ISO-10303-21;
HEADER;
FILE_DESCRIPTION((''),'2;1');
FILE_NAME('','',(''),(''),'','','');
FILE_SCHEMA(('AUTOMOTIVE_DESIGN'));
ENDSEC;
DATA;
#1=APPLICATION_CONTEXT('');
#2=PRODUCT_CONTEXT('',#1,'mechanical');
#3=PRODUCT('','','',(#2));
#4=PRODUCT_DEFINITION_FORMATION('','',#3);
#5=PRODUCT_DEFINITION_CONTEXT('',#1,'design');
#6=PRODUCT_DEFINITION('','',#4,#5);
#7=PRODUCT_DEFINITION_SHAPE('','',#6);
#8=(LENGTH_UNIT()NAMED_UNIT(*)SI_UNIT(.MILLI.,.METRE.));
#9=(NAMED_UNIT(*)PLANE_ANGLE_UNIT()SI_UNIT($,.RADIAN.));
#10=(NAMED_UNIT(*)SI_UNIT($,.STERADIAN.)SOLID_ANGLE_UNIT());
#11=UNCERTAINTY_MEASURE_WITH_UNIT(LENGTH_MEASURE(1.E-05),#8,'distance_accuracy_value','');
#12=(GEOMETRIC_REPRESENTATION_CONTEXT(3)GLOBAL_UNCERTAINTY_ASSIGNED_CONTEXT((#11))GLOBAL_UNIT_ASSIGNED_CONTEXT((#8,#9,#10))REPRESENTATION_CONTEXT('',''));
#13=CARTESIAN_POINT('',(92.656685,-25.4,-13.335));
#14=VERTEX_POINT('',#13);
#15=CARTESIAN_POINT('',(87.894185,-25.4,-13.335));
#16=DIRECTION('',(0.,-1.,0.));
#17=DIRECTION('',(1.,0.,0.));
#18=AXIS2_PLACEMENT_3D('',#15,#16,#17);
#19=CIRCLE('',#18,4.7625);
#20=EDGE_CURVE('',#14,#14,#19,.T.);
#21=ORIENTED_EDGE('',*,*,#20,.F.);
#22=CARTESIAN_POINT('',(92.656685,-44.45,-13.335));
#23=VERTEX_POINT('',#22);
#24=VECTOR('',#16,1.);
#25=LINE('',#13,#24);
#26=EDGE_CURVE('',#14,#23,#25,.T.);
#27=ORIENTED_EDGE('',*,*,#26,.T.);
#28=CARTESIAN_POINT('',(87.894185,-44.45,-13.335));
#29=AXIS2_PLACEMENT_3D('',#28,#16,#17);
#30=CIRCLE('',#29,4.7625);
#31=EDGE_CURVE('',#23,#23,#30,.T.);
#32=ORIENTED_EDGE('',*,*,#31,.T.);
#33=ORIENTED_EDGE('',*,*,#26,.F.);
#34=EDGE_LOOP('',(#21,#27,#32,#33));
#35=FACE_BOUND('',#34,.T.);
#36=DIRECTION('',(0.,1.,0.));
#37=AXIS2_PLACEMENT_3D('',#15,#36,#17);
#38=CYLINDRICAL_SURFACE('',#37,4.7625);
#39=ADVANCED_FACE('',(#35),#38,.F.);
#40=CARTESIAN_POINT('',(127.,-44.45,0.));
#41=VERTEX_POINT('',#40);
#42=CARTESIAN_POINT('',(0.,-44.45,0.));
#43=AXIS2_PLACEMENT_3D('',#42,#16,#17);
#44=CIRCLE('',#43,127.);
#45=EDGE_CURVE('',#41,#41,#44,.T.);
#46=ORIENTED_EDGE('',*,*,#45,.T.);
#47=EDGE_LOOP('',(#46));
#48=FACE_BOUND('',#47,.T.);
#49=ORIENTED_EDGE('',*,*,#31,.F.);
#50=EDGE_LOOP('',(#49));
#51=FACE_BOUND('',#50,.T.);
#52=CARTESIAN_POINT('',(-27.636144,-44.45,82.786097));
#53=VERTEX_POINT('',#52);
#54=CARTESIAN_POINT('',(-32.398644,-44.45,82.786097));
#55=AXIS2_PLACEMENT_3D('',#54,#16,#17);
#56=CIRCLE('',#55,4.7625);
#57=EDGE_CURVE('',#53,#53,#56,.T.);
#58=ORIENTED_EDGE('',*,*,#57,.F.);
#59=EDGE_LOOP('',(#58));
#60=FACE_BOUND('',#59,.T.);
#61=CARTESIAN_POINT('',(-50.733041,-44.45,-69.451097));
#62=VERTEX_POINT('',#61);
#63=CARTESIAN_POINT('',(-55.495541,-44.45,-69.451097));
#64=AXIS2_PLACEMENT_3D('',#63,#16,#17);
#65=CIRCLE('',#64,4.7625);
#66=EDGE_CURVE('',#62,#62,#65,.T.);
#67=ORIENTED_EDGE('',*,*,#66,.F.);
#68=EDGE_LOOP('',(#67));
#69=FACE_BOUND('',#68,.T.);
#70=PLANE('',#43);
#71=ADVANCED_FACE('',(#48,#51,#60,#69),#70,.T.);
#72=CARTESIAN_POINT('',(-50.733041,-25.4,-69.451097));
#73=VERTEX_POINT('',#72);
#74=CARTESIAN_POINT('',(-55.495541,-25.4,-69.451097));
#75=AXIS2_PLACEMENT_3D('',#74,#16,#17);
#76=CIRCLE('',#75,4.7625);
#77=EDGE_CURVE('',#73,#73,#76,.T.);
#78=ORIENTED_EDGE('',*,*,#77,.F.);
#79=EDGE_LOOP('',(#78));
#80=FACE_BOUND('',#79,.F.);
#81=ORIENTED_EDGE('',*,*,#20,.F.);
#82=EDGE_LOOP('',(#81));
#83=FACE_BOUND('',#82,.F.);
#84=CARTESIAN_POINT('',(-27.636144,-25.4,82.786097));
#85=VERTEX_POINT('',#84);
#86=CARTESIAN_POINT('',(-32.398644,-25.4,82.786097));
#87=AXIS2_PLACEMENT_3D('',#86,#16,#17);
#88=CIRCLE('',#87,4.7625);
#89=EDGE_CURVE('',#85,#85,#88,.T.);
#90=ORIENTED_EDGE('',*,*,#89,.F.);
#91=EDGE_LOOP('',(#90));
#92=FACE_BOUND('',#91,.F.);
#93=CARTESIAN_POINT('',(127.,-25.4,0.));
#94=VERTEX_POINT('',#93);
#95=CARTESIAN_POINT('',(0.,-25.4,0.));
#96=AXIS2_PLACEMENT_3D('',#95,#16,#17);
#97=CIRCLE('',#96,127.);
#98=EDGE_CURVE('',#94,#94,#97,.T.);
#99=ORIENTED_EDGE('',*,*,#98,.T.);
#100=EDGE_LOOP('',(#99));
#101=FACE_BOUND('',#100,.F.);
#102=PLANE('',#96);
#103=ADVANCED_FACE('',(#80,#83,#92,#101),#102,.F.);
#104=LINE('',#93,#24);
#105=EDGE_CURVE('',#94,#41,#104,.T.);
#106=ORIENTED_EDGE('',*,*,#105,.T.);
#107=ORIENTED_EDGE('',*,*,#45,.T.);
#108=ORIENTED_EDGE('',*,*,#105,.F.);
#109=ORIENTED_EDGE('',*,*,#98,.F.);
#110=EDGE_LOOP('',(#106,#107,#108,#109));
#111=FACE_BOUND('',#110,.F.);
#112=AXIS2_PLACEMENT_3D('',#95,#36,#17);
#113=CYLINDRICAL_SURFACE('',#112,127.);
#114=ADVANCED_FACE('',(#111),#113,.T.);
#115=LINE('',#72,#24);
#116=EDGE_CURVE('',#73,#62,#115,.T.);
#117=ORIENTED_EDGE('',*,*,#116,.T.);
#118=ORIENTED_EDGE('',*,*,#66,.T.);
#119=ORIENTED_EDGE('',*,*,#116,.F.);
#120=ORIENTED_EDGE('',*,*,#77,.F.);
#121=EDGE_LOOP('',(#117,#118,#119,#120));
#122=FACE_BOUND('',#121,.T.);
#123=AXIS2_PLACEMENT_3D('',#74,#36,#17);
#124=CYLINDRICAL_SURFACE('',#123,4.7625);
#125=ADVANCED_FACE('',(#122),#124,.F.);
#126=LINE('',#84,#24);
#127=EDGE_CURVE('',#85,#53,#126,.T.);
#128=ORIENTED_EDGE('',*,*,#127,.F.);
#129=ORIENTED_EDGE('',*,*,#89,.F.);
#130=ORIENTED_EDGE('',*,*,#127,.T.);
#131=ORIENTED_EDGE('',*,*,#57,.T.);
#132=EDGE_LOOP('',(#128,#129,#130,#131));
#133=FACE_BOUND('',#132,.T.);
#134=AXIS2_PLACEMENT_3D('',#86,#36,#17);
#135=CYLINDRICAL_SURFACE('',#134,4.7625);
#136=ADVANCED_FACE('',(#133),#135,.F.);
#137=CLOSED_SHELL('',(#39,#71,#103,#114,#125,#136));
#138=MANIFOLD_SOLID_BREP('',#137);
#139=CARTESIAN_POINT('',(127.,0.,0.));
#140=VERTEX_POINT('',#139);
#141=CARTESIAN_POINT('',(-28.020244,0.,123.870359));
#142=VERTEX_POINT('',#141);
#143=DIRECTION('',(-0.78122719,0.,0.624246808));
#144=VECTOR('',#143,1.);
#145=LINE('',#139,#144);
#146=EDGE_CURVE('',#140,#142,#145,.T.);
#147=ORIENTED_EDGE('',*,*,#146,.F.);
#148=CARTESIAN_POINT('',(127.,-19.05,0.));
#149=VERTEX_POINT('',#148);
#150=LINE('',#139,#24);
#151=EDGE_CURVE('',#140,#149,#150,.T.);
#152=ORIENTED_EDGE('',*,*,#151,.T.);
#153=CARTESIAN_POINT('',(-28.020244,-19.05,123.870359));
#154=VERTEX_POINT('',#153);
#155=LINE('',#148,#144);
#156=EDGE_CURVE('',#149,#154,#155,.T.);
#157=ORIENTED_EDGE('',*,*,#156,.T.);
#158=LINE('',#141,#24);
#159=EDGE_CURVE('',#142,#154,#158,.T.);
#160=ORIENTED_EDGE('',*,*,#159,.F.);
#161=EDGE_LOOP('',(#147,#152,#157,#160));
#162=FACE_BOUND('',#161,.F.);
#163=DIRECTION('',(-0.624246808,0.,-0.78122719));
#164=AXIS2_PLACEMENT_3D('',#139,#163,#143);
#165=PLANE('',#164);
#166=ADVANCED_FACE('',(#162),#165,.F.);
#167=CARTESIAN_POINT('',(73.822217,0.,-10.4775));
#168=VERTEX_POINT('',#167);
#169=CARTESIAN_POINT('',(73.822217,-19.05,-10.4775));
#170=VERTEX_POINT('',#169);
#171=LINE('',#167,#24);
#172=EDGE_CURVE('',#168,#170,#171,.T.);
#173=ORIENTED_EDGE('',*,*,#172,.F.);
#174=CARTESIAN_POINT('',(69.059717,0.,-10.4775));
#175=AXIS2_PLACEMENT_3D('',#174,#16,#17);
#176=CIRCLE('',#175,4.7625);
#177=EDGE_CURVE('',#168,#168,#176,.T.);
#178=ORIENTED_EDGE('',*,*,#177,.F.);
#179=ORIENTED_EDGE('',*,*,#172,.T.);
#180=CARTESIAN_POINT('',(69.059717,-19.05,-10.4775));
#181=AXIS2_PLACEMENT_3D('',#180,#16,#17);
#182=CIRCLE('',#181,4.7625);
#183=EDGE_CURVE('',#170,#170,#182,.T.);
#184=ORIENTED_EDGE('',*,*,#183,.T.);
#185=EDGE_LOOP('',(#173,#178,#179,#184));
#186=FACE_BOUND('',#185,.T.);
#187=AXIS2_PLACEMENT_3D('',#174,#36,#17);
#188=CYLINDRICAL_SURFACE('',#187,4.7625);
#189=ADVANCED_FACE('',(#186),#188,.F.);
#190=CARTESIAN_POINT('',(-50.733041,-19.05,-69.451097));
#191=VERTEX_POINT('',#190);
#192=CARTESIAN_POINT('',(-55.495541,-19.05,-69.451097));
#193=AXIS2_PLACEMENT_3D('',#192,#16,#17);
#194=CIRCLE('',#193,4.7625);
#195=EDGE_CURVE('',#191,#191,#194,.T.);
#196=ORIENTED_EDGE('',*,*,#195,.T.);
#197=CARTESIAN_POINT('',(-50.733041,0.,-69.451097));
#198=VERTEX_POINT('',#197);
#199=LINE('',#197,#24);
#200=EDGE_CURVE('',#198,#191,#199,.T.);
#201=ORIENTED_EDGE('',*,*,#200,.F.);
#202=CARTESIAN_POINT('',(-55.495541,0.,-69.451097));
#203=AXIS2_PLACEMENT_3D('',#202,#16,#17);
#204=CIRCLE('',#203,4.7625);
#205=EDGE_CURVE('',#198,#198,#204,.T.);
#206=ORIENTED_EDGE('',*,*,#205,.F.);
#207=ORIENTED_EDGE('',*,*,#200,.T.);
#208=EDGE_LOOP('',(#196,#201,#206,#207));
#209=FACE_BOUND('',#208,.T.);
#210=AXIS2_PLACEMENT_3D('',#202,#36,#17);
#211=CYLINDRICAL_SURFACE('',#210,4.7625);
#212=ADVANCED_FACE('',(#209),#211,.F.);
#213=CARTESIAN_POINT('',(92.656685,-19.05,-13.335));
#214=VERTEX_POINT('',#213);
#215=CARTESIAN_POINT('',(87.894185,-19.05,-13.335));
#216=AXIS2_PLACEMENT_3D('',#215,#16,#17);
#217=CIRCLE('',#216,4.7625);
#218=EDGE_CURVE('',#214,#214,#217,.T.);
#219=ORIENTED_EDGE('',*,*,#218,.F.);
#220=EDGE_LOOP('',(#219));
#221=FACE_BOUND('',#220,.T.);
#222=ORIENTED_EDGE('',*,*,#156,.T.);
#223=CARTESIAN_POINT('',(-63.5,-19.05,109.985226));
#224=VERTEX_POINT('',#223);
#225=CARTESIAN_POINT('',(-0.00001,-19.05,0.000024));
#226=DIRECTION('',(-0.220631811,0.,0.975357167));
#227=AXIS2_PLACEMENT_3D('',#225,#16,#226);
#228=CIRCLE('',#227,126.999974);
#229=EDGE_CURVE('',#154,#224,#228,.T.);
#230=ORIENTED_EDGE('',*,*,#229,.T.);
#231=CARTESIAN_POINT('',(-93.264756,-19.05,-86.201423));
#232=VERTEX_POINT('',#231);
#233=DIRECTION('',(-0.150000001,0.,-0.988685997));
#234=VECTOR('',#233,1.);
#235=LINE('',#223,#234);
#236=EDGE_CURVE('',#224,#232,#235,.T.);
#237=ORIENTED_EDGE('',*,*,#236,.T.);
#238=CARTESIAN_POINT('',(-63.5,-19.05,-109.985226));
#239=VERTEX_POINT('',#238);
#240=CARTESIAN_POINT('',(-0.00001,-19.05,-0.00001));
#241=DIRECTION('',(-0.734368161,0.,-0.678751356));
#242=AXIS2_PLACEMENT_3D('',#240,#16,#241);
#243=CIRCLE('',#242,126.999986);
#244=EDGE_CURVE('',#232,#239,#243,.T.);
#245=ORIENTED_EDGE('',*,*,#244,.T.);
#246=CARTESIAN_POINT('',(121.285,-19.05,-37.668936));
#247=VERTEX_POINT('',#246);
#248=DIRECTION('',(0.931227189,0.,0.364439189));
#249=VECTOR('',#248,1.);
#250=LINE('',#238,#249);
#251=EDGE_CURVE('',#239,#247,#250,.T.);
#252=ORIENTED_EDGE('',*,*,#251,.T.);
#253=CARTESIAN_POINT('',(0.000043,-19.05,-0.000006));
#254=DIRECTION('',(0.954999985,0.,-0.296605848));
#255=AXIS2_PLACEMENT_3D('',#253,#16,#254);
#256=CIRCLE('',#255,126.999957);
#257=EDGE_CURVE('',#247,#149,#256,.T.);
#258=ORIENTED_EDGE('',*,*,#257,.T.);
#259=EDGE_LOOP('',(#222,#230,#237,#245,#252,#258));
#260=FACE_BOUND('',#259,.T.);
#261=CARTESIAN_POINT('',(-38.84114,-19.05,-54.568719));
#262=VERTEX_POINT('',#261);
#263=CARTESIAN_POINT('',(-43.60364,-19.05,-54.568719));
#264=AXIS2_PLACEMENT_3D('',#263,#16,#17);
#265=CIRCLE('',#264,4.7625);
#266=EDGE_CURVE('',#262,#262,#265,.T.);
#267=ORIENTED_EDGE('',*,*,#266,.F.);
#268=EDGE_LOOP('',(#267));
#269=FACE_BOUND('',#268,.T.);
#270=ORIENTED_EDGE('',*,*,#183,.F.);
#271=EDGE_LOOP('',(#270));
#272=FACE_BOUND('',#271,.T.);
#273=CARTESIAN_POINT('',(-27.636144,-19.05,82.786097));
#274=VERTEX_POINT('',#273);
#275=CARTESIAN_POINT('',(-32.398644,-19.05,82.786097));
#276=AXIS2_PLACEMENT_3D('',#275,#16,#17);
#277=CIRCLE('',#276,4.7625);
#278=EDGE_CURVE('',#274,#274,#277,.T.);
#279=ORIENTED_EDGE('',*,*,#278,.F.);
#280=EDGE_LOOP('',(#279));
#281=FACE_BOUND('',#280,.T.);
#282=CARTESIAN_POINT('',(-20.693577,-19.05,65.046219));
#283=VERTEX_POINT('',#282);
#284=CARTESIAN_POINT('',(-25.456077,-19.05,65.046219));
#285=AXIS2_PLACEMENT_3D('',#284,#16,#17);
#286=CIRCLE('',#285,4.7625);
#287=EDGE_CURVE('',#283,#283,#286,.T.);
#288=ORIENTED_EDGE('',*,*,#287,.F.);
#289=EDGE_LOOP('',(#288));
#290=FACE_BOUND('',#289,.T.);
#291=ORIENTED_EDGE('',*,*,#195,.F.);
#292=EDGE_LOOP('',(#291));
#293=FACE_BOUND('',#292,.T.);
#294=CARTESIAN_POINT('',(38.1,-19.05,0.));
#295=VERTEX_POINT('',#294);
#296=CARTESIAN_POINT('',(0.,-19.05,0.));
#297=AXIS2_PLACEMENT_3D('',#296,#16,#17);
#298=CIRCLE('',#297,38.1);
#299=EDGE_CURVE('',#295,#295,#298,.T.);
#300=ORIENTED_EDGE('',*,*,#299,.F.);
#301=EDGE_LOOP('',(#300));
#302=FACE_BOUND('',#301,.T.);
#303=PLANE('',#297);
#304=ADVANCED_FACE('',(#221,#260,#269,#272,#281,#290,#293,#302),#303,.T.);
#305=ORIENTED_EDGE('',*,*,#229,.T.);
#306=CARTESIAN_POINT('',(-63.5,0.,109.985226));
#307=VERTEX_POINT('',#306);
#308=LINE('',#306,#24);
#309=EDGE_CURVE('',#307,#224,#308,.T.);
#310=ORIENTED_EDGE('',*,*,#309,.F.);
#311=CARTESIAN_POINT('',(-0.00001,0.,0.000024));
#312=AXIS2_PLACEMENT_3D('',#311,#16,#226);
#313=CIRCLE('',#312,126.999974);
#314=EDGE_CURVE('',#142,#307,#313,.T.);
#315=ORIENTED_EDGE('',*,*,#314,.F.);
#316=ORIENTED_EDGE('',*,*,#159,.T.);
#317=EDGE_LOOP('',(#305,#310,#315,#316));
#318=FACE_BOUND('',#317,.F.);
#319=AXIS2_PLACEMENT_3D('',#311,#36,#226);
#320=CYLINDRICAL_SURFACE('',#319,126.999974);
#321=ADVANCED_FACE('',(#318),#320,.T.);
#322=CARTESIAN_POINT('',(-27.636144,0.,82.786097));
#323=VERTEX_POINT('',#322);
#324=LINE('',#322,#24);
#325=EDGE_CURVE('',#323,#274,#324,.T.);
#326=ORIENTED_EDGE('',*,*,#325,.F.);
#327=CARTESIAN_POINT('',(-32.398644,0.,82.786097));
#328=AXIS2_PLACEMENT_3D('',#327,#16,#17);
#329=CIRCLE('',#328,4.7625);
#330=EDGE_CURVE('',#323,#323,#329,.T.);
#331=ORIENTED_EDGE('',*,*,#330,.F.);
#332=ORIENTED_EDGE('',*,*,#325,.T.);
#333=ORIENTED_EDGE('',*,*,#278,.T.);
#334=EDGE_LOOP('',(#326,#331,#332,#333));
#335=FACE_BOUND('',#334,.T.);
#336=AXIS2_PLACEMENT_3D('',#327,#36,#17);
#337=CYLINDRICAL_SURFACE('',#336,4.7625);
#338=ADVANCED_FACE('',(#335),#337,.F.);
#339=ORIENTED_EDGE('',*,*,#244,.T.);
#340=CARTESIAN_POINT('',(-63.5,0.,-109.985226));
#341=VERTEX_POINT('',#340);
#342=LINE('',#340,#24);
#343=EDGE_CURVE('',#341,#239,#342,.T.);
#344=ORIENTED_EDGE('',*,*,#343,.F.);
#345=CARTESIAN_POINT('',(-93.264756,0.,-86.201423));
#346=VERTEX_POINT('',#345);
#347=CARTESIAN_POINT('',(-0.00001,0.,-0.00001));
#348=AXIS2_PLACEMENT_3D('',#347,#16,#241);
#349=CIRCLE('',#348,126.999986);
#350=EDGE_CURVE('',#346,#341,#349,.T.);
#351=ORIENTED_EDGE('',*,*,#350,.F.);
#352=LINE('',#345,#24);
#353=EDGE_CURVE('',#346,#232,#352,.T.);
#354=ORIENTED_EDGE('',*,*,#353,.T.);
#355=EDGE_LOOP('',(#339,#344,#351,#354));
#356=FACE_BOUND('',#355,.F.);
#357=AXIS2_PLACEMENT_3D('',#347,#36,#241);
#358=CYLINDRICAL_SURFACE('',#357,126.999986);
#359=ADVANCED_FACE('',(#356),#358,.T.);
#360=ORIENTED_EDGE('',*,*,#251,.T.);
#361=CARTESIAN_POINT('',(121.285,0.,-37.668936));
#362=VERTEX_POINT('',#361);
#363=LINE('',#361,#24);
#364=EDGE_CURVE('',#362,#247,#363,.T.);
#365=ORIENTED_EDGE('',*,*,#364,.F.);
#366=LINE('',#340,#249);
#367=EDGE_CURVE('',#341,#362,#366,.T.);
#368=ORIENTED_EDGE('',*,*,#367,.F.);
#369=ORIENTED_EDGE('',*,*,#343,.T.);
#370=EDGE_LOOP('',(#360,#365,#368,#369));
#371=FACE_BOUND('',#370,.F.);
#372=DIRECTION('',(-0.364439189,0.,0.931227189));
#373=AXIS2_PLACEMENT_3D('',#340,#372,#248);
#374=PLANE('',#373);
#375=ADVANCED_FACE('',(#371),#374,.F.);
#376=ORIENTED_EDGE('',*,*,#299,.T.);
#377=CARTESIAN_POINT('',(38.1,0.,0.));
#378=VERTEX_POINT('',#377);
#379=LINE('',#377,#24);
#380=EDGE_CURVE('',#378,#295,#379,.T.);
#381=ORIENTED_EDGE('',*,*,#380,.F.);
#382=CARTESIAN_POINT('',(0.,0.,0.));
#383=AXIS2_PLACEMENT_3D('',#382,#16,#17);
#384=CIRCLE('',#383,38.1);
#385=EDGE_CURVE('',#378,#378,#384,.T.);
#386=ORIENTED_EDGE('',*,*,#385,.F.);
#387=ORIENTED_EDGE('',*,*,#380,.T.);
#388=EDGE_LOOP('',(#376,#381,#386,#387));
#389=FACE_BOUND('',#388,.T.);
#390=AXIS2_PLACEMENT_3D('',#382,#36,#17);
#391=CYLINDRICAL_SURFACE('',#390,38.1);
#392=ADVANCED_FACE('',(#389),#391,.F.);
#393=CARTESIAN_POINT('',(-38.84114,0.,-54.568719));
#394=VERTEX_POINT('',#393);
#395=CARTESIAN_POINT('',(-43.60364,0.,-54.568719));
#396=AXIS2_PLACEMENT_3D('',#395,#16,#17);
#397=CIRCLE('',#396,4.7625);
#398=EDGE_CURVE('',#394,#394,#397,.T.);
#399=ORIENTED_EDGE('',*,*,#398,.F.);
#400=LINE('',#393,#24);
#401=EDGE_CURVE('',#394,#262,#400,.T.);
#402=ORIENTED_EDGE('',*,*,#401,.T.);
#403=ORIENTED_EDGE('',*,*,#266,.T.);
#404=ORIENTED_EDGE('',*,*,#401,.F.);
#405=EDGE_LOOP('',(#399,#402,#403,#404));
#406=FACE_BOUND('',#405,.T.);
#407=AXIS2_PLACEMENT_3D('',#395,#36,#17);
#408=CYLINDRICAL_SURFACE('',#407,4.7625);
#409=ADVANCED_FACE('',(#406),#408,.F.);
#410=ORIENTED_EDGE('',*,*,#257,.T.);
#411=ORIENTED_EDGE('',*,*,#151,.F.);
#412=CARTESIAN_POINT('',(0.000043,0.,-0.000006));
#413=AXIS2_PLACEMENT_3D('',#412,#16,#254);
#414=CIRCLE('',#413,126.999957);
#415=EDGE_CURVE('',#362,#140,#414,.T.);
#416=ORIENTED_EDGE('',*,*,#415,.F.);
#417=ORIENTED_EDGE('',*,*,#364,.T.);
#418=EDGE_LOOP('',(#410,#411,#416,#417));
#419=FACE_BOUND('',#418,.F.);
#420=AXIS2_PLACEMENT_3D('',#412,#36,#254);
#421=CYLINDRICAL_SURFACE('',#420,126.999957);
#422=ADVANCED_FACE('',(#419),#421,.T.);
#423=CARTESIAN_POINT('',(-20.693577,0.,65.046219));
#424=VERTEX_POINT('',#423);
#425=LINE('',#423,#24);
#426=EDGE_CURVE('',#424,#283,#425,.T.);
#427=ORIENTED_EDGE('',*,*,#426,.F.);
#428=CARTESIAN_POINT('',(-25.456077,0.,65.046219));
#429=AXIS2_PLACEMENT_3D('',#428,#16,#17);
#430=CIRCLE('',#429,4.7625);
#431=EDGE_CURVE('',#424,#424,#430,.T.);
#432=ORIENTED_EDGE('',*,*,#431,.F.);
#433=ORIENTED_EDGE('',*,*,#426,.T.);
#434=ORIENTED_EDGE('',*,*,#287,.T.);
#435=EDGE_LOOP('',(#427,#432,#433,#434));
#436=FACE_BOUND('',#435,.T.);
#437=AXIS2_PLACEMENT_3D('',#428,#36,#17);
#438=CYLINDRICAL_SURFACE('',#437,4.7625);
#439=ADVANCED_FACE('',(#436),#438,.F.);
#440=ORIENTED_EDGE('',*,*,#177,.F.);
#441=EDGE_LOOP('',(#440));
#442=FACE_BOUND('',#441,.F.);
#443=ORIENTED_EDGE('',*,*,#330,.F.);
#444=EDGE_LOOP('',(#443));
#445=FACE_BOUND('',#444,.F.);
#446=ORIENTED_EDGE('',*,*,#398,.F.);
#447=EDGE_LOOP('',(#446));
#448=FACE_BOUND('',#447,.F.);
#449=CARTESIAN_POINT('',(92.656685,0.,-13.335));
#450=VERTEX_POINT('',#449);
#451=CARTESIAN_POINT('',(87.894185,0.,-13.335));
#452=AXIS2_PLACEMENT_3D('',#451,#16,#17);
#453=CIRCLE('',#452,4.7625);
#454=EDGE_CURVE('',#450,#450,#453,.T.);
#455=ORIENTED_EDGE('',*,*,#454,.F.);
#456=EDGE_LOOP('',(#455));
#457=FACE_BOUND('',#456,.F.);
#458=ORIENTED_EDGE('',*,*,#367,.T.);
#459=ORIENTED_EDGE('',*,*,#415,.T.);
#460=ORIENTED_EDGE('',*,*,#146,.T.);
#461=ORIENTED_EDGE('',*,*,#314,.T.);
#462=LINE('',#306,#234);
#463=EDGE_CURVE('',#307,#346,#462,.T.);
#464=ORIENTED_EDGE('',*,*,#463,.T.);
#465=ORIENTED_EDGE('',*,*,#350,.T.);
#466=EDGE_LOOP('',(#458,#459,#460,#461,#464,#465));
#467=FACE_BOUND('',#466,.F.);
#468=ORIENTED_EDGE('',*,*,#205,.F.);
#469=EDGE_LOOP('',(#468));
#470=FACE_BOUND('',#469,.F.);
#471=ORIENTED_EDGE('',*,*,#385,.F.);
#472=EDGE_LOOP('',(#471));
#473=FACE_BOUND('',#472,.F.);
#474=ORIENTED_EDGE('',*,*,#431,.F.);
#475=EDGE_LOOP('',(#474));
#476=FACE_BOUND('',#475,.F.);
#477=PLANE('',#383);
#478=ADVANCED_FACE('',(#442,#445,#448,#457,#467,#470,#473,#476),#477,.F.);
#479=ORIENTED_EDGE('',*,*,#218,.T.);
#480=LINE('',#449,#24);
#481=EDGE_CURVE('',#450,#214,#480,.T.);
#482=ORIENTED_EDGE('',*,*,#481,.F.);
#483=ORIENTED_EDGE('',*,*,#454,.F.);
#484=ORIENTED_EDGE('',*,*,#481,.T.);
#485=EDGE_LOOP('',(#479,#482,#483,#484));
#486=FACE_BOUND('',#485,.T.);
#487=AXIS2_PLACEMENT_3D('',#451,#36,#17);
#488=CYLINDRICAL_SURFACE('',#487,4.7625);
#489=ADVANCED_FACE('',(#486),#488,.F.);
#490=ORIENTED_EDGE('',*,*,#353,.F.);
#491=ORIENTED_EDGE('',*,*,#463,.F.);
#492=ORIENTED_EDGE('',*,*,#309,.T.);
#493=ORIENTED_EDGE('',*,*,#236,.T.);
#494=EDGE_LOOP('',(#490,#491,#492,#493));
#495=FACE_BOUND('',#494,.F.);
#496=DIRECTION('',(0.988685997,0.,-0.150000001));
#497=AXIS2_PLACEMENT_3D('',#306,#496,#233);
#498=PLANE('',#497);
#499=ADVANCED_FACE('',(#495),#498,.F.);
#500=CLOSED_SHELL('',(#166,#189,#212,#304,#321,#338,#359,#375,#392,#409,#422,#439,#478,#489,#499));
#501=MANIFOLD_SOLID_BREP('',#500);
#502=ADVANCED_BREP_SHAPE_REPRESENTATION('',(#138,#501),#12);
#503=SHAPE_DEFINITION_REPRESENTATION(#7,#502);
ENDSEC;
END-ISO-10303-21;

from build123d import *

# Parameters (mm, degrees)
F0_R     = 4.7625
F0_R_2   = 38.1
F1_DEPTH = 19.05
F3_R     = 127
F3_R_2   = 4.7625
F4_DEPTH = 19.05


with BuildPart() as f1:
    # F0 (on Front) → F1 (new body)
    with BuildSketch(Plane.XZ):
        with BuildLine():
            Line((-63.5, 109.985226), (-93.264756, -86.201423))
            ThreePointArc((-93.264756, -86.201423), (-79.279345, -99.215853), (-63.5, -109.985226))
            Line((-63.5, -109.985226), (121.285, -37.668936))
            ThreePointArc((121.285, -37.668936), (125.563122, -19.05), (127, 0))
            Line((127, 0), (-28.020244, 123.870359))
            ThreePointArc((-28.020244, 123.870359), (-46.283777, 118.265853), (-63.5, 109.985226))
        make_face()
        with Locations((-55.495541, -69.451097)):
            Circle(F0_R, mode=Mode.SUBTRACT)
        with Locations((-43.60364, -54.568719)):
            Circle(F0_R, mode=Mode.SUBTRACT)
        Circle(F0_R_2, mode=Mode.SUBTRACT)
        with Locations((69.059717, -10.4775)):
            Circle(F0_R, mode=Mode.SUBTRACT)
        with Locations((87.894185, -13.335)):
            Circle(F0_R, mode=Mode.SUBTRACT)
        with Locations((-25.456077, 65.046219)):
            Circle(F0_R, mode=Mode.SUBTRACT)
        with Locations((-32.398644, 82.786097)):
            Circle(F0_R, mode=Mode.SUBTRACT)
    extrude(amount=F1_DEPTH)


with BuildPart() as f4:
    # F3 (on offset) → F4 (new body)
    with BuildSketch(Plane.XZ.offset(25.4)):
        Circle(F3_R)
        with Locations((-55.495541, -69.451097)):
            Circle(F3_R_2, mode=Mode.SUBTRACT)
        with Locations((87.894185, -13.335)):
            Circle(F3_R_2, mode=Mode.SUBTRACT)
        with Locations((-32.398644, 82.786097)):
            Circle(F3_R_2, mode=Mode.SUBTRACT)
    extrude(amount=F4_DEPTH)


solid = Compound([f1.part, f4.part])
